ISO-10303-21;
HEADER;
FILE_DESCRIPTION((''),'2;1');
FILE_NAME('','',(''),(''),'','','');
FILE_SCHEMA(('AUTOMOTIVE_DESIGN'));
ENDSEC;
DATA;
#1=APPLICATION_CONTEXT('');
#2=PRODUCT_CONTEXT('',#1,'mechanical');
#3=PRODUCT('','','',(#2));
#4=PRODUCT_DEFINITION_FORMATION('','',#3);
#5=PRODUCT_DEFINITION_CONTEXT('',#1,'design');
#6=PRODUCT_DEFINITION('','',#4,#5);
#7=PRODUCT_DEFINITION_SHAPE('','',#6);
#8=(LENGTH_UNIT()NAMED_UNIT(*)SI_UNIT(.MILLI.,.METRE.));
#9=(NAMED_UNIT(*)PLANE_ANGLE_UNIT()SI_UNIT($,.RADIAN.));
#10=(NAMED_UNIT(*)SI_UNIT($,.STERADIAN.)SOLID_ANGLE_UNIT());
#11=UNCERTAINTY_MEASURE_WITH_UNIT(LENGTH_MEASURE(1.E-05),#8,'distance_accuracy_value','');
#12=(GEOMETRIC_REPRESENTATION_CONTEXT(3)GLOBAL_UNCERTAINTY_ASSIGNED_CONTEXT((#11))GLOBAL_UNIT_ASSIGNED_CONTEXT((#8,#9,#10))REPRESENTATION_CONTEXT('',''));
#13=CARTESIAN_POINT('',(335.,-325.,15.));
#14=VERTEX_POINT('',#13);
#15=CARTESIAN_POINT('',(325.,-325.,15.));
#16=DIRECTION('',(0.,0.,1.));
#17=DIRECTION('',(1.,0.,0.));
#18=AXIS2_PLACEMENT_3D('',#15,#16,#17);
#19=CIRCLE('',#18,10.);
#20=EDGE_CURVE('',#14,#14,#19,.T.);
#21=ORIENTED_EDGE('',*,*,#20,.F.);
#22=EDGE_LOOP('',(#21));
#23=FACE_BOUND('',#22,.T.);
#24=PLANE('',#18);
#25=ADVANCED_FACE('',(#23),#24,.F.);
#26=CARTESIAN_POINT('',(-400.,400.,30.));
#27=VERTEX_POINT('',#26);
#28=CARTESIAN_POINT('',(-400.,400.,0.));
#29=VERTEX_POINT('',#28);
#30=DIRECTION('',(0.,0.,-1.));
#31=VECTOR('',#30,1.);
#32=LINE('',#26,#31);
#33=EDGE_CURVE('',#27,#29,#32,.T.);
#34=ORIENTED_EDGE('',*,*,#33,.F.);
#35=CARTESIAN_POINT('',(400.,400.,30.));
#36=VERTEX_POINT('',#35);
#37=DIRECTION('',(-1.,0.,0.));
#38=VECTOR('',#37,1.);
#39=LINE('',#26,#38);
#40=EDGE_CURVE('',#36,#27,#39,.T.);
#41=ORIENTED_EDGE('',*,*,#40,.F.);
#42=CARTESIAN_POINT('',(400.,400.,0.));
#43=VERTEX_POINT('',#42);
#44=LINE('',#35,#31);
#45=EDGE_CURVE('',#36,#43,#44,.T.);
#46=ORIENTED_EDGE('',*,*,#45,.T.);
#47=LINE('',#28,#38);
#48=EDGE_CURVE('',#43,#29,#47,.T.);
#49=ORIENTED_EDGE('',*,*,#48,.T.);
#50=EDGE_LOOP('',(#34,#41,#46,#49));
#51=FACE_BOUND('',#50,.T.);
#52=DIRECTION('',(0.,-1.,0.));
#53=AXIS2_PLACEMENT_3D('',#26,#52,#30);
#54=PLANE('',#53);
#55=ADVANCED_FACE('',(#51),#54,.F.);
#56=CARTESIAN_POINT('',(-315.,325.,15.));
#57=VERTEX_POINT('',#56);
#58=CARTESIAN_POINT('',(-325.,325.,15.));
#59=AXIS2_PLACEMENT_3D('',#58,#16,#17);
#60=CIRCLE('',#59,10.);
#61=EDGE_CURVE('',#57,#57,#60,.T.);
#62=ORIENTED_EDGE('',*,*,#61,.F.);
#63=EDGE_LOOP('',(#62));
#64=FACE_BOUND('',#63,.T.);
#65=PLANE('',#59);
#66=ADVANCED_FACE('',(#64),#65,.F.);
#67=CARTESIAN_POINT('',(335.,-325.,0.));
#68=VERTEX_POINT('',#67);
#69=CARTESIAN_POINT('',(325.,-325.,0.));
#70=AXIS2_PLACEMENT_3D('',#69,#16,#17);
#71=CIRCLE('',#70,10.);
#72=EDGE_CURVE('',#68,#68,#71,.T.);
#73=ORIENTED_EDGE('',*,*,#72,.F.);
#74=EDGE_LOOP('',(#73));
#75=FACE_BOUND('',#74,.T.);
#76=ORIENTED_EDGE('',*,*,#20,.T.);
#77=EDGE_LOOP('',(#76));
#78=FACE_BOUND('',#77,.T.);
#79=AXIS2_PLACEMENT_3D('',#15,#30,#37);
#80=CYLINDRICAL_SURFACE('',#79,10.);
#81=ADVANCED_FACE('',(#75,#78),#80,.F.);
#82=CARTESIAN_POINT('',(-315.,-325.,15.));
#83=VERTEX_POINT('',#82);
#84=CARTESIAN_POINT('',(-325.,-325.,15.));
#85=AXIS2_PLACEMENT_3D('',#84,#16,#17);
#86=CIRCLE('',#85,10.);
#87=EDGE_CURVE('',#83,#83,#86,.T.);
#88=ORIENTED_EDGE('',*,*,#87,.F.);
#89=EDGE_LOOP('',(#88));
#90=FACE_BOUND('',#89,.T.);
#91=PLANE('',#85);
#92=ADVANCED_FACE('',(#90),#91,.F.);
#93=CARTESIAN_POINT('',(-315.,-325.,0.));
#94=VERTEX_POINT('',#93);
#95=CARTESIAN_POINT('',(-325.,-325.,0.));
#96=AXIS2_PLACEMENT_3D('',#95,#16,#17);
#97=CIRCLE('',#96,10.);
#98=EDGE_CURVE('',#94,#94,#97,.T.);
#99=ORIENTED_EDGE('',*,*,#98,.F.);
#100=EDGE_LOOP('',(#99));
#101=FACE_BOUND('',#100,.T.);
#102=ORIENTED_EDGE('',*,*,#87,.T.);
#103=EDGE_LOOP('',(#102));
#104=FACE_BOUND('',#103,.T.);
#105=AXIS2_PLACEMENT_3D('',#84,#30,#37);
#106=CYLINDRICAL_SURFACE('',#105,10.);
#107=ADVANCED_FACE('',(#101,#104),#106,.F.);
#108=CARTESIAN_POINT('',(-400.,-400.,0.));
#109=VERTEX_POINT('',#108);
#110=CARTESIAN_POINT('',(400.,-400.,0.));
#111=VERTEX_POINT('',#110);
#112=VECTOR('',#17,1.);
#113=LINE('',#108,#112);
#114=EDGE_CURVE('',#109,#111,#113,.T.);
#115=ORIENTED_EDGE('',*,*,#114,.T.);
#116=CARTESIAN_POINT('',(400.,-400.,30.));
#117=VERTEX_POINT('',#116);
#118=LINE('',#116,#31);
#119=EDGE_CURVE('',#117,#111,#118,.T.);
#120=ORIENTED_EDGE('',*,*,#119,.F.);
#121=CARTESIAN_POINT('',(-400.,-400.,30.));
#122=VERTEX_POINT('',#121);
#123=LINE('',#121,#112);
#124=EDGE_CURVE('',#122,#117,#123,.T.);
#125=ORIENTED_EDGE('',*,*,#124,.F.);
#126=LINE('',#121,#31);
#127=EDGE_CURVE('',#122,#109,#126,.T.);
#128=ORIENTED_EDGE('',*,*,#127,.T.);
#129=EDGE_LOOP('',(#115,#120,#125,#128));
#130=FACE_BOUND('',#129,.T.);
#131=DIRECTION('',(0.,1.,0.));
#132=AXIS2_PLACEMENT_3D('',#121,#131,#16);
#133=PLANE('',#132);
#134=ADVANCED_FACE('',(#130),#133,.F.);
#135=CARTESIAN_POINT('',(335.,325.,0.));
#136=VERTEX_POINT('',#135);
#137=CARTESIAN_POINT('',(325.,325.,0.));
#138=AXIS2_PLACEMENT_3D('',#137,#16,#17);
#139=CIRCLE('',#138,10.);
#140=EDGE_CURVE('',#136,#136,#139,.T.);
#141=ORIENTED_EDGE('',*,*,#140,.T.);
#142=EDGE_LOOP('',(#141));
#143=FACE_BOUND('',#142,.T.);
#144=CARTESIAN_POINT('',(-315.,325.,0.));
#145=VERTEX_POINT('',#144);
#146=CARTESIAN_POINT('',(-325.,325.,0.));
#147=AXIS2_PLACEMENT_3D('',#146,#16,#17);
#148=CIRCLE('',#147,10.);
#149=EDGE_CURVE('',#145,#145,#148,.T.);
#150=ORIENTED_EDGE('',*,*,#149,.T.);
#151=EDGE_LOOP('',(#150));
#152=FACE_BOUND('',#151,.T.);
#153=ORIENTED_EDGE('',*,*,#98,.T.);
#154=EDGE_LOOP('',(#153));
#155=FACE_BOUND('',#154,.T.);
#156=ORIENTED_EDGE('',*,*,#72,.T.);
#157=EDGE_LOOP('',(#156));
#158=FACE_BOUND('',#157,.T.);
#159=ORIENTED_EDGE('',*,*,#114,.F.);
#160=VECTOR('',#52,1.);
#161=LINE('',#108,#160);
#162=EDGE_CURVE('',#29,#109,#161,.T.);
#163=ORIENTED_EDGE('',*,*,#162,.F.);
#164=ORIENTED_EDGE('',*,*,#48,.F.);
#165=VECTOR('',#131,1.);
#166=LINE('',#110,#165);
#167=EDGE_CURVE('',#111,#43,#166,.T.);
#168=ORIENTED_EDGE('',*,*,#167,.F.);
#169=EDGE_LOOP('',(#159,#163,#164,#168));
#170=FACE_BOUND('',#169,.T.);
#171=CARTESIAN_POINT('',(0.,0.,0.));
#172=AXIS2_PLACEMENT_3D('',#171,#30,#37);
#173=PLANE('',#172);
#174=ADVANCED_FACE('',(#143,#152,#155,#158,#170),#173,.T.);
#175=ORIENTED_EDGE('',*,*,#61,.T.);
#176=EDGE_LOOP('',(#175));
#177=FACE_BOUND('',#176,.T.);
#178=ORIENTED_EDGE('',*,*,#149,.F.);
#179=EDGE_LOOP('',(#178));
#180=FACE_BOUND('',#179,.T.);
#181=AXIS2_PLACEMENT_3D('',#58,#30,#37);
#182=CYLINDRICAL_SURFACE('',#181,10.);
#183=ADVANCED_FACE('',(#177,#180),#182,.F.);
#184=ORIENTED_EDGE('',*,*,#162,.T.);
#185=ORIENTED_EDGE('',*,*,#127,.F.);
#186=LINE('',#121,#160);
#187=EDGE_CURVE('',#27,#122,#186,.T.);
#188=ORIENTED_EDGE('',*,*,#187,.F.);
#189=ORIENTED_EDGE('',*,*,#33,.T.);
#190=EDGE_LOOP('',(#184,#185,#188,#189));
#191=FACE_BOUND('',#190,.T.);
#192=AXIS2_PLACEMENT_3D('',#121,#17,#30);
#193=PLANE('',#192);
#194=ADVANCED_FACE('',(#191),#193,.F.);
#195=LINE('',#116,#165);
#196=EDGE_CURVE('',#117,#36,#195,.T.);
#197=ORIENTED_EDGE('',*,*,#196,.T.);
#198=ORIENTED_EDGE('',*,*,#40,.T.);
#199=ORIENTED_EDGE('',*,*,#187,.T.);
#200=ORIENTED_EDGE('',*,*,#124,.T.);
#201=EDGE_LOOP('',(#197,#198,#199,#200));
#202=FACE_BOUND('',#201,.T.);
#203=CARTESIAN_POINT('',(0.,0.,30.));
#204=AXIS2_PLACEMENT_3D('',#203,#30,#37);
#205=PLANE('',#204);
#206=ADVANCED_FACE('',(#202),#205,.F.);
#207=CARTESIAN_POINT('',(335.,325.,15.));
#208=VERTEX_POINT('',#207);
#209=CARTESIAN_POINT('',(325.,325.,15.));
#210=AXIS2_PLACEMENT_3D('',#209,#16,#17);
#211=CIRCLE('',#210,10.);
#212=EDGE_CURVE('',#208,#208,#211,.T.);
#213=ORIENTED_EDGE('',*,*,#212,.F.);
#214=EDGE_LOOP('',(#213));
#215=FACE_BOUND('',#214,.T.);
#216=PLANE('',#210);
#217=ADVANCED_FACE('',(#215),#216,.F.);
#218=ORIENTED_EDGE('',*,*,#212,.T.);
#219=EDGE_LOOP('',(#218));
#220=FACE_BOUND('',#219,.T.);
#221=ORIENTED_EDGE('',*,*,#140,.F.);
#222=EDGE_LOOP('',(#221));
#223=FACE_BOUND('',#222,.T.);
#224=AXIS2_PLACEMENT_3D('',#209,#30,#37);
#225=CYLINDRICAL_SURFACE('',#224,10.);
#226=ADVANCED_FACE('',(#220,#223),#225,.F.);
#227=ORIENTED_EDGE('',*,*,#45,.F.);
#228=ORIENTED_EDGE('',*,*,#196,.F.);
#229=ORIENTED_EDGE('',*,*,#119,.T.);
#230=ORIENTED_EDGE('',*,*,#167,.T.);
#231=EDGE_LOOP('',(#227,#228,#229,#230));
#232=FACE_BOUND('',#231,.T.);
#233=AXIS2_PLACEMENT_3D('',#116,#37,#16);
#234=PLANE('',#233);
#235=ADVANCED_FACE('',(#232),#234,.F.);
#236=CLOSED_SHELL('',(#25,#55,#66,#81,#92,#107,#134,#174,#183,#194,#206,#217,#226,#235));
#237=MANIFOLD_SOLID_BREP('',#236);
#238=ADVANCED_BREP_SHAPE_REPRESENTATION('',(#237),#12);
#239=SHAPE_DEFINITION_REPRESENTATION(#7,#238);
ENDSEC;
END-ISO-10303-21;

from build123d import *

# Parameters (mm, degrees)
SKETCH1_W           = 800
SKETCH1_H           = 800
BOSS_EXTRUDE1_DEPTH = 30
SKETCH2_R           = 10
CUT_EXTRUDE1_DEPTH  = 15


with BuildPart() as part:
    # Sketch1 → Boss-Extrude1 (new body)
    with BuildSketch(Plane.XY):
        Rectangle(SKETCH1_W, SKETCH1_H)
    extrude(amount=BOSS_EXTRUDE1_DEPTH)

    # Sketch2 → Cut-Extrude1 (cut)
    with BuildSketch(Plane.XY):
        with Locations((-325, -325)):
            Circle(SKETCH2_R)
        with Locations((325, -325)):
            Circle(SKETCH2_R)
        with Locations((-325, 325)):
            Circle(SKETCH2_R)
        with Locations((325, 325)):
            Circle(SKETCH2_R)
    extrude(amount=CUT_EXTRUDE1_DEPTH, mode=Mode.SUBTRACT)


solid = part.part
